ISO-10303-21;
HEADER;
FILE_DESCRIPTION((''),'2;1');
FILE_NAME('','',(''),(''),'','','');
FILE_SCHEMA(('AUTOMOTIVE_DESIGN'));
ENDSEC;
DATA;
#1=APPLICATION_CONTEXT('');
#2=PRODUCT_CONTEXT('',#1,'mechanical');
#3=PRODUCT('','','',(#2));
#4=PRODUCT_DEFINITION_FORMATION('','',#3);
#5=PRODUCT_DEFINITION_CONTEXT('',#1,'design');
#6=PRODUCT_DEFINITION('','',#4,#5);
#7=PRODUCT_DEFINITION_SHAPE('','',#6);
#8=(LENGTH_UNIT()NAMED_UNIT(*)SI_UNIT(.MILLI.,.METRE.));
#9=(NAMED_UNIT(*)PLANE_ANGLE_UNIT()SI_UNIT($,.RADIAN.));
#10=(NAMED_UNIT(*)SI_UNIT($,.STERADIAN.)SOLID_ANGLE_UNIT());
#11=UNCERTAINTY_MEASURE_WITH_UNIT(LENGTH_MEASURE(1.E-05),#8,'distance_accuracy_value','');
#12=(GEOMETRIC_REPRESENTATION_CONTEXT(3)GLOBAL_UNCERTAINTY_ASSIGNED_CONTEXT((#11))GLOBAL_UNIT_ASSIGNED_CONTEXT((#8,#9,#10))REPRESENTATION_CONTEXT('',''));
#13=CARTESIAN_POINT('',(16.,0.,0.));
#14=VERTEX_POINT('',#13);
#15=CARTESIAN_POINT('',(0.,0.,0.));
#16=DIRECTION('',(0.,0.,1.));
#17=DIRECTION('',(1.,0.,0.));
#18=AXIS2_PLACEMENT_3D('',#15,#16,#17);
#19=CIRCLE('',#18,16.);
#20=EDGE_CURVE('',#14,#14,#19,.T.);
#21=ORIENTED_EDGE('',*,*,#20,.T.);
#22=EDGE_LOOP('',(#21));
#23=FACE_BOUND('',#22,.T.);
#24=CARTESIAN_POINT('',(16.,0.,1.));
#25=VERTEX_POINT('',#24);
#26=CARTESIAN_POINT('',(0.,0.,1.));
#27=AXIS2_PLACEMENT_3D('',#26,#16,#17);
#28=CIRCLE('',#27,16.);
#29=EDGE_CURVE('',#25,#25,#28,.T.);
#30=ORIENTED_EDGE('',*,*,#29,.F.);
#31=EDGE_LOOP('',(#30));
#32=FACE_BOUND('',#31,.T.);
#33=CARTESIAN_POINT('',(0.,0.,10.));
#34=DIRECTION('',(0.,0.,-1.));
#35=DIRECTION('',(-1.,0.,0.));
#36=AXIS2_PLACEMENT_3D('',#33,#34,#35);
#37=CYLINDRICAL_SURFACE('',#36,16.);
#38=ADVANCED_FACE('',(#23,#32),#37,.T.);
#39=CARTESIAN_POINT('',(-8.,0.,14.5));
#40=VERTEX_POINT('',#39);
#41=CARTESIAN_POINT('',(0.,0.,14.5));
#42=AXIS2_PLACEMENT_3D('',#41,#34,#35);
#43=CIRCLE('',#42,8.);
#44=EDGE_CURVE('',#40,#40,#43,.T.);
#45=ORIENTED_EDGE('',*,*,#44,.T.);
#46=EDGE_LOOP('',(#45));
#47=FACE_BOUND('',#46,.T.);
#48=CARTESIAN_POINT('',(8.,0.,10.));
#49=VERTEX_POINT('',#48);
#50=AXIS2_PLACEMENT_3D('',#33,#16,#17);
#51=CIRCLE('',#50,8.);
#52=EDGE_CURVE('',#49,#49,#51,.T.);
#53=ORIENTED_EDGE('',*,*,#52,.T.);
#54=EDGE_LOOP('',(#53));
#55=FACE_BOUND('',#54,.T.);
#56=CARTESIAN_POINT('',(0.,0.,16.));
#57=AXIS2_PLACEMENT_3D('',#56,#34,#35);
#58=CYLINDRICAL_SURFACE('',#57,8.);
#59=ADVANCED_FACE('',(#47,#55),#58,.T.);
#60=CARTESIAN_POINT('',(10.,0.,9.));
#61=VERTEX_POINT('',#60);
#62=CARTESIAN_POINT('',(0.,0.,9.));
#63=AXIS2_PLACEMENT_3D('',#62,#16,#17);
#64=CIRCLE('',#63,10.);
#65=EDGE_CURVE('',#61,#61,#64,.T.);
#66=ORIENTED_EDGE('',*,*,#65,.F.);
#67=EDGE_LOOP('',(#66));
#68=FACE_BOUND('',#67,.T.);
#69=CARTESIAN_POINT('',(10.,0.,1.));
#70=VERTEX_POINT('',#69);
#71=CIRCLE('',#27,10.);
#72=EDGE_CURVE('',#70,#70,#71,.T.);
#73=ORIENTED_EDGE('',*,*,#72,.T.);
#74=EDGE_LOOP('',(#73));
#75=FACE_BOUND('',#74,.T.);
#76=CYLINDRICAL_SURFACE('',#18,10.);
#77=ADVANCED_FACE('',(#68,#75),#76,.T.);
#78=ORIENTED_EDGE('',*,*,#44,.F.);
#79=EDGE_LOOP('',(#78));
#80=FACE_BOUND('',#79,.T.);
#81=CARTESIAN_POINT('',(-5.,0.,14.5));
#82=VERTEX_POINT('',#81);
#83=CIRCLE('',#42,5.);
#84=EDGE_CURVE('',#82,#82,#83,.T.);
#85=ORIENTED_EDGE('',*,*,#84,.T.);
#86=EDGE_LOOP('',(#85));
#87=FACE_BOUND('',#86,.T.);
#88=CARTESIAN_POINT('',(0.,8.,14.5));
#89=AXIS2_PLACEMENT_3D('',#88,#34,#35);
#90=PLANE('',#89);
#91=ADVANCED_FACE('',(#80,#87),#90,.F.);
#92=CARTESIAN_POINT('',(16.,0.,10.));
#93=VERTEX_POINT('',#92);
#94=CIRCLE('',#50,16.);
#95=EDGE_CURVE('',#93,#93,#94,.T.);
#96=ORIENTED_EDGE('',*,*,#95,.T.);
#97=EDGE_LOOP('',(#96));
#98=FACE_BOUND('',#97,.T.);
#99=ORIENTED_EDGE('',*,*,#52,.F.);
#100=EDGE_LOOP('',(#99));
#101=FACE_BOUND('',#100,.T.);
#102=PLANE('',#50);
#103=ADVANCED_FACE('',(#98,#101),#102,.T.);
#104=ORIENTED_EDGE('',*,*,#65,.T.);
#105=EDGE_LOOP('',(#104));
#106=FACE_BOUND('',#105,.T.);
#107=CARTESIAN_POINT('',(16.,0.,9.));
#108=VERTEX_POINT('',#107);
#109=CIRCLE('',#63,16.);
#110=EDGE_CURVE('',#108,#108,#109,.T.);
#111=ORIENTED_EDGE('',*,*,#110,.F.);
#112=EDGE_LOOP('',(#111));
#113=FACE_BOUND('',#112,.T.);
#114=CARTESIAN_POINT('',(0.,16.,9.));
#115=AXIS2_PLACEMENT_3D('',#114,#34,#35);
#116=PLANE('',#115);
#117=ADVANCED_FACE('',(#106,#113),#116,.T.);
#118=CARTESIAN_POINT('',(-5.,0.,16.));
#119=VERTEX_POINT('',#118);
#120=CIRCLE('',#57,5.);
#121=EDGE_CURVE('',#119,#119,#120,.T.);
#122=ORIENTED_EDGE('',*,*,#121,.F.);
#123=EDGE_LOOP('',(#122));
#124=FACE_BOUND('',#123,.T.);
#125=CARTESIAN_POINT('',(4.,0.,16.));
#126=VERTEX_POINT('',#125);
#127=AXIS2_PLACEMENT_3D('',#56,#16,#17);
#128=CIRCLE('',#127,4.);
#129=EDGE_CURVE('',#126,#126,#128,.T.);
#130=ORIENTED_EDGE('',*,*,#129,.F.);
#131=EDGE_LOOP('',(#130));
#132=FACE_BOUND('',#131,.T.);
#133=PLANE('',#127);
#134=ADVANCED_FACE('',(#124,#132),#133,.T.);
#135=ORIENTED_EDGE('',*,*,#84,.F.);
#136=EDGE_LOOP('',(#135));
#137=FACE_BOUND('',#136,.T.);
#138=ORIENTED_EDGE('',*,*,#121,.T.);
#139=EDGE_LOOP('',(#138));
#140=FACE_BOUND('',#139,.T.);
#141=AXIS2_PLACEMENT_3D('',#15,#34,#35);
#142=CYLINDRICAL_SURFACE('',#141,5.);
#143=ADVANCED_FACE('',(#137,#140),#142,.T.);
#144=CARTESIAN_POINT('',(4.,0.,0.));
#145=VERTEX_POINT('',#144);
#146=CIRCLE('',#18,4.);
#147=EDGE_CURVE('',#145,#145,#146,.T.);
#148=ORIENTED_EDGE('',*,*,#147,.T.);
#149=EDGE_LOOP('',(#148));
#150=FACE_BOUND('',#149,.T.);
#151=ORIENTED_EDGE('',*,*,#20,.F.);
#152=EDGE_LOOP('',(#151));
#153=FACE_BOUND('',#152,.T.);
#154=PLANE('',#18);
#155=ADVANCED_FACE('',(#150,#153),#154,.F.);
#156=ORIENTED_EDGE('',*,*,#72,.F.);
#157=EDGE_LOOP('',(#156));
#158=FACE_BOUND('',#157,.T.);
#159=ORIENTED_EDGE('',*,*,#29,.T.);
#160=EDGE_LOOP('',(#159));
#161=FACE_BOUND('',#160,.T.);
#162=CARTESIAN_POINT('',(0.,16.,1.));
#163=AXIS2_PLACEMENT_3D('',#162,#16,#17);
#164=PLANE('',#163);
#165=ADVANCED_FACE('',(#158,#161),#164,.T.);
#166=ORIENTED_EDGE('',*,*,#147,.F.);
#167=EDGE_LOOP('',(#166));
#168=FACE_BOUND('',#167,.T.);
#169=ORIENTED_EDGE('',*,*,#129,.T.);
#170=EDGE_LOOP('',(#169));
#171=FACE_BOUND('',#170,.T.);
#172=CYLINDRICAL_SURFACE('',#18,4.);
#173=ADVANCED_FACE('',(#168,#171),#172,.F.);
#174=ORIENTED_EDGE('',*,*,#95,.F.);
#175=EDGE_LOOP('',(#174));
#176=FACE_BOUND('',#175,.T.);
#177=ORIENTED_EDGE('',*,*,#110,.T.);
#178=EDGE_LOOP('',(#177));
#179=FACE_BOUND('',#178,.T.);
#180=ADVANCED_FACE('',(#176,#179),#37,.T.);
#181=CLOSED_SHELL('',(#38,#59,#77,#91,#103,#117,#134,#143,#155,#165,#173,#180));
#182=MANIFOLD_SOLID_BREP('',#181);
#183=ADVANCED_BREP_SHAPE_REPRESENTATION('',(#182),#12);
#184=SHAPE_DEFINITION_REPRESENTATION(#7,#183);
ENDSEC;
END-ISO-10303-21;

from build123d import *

# Parameters (mm, degrees)
ESQUISSE1_R             = 16
BOSS_EXTRU_1_DEPTH      = 10
ESQUISSE2_R             = 8
BOSS_EXTRU_2_DEPTH      = 6
ESQUISSE3_R             = 4
ENL_V_MAT_EXTRU_1_DEPTH = 28.712812921
ESQUISSE4_W             = 8
ESQUISSE4_H             = 6
ESQUISSE5_W             = 1.5
ESQUISSE5_H             = 3


with BuildPart() as part:
    # Esquisse1 → Boss.-Extru.1 (new body)
    with BuildSketch(Plane.XY):
        Circle(ESQUISSE1_R)
    extrude(amount=BOSS_EXTRU_1_DEPTH)

    # Esquisse2 → Boss.-Extru.2 (add)
    with BuildSketch(Plane.XY.offset(10)):
        Circle(ESQUISSE2_R)
    extrude(amount=BOSS_EXTRU_2_DEPTH)

    # Esquisse3 → Enlèv. mat.-Extru.1 (cut, through all)
    with BuildSketch(Plane.XY.offset(16)):
        Circle(ESQUISSE3_R)
    extrude(amount=-ENL_V_MAT_EXTRU_1_DEPTH, mode=Mode.SUBTRACT)

    # Esquisse4 → Enlèvement de matière-Révolution1 (revolve, cut)
    with BuildSketch(Plane(origin=(0, 0, 0), x_dir=(0, 0, -1), z_dir=(1, 0, 0)), mode=Mode.PRIVATE) as enl_vement_de_mati_re_r_volution1_sk:
        with Locations((-5, 13)):
            Rectangle(ESQUISSE4_W, ESQUISSE4_H)
    revolve(enl_vement_de_mati_re_r_volution1_sk.sketch.rotate(Axis((0, 0, 0), (0, 0, -1)), 90), axis=Axis((0, 0, 0), (0, 0, -1)), mode=Mode.SUBTRACT)

    # Esquisse5 → Enlèvement de matière-Révolution2 (revolve, cut)
    with BuildSketch(Plane(origin=(0, 0, 0), x_dir=(0, 0, -1), z_dir=(1, 0, 0)), mode=Mode.PRIVATE) as enl_vement_de_mati_re_r_volution2_sk:
        with Locations((-15.25, 6.5)):
            Rectangle(ESQUISSE5_W, ESQUISSE5_H)
    revolve(enl_vement_de_mati_re_r_volution2_sk.sketch.rotate(Axis((0, 0, 0), (0, 0, 1)), 90), axis=Axis((0, 0, 0), (0, 0, 1)), mode=Mode.SUBTRACT)


solid = part.part
